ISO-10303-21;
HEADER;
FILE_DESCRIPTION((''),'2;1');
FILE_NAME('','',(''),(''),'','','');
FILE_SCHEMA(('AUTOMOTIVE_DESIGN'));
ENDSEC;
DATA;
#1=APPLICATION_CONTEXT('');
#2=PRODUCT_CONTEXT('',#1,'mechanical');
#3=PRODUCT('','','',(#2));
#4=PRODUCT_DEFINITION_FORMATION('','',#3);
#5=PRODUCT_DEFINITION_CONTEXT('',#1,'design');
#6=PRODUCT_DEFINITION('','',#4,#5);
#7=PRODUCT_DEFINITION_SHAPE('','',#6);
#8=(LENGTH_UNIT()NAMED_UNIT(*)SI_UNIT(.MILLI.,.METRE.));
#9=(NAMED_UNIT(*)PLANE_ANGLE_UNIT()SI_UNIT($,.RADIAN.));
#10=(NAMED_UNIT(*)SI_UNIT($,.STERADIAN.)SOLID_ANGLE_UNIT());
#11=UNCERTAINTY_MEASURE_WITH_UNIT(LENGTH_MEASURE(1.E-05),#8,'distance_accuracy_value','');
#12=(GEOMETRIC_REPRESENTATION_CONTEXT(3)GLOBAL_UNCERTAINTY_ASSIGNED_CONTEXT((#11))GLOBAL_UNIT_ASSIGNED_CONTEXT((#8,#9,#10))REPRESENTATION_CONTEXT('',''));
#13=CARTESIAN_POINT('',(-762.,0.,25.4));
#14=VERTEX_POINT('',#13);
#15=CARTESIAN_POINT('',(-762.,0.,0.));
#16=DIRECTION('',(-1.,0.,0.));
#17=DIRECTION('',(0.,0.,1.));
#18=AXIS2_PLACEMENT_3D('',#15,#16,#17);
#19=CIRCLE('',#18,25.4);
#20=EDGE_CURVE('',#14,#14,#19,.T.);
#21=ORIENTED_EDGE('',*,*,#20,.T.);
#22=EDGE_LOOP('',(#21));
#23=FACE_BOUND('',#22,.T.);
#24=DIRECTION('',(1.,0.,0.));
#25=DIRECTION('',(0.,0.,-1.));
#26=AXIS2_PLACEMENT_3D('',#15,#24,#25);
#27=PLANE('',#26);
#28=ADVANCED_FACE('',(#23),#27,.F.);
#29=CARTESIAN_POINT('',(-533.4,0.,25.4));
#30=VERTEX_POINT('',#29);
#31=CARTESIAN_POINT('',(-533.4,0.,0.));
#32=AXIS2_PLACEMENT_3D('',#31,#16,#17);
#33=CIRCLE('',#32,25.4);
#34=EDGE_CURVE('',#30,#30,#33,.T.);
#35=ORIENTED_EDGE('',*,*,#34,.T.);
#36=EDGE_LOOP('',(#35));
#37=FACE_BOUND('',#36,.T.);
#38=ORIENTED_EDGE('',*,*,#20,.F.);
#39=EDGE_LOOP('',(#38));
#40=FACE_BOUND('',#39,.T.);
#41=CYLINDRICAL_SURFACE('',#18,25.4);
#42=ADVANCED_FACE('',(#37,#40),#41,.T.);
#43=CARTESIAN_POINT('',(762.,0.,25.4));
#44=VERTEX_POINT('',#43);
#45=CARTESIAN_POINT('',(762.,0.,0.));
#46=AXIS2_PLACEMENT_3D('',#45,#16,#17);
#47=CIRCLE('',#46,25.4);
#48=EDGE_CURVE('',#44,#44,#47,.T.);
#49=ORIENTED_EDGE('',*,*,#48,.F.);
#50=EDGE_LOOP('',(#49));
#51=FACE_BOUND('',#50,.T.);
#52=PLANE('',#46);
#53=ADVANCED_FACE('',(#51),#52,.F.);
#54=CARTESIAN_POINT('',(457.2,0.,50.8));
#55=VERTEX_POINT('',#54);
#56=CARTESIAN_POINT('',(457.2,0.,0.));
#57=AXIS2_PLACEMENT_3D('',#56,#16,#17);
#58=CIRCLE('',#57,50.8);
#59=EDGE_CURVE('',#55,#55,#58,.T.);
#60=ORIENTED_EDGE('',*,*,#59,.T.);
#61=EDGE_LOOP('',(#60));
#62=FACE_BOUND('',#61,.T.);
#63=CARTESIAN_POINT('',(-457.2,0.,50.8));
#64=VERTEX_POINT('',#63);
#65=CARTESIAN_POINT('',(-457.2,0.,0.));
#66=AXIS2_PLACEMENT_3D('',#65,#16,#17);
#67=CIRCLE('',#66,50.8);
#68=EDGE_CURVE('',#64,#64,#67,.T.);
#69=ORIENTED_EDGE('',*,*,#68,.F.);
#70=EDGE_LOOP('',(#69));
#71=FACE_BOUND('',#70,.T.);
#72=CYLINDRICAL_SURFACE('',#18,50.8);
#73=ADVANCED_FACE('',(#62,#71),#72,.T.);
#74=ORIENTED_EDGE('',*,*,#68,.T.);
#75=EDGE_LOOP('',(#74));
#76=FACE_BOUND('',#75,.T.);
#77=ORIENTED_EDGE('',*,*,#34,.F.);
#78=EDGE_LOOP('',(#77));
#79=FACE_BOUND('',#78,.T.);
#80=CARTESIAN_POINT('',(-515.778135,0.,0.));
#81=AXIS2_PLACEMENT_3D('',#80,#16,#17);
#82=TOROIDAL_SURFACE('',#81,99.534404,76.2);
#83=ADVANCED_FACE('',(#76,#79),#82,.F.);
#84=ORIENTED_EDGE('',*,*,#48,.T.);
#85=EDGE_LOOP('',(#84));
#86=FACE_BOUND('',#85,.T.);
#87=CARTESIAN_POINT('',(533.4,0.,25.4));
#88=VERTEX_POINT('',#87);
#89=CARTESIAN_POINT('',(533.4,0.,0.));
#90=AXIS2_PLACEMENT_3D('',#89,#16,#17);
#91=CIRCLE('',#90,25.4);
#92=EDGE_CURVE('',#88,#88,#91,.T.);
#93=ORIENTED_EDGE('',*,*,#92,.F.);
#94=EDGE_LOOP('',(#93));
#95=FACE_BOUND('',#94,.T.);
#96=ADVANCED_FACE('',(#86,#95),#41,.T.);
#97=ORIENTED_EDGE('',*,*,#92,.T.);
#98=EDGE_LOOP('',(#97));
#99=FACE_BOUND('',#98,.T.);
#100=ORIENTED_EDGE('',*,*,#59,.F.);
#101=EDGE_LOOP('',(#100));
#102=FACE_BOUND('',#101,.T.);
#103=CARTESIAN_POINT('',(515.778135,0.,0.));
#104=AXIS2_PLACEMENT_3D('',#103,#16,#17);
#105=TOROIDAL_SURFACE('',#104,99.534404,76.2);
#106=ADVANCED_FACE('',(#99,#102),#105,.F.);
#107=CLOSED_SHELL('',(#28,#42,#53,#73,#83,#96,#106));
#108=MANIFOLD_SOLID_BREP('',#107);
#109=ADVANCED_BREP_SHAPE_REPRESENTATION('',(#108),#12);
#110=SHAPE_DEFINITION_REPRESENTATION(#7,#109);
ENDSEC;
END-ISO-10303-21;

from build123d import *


with BuildPart() as part:
    # Sketch2 → Revolve4 (revolve)
    with BuildSketch(Plane.XY, mode=Mode.PRIVATE) as revolve4_sk:
        with BuildLine():
            Line((-762, 0), (762, 0))
            Line((762, 0), (762, 25.4))
            Line((762, 25.4), (533.4, 25.4))
            ThreePointArc((533.4, 25.4), (491.68157891, 27.244736731), (457.2, 50.8))
            Line((457.2, 50.8), (-457.2, 50.8))
            ThreePointArc((-457.2, 50.8), (-491.68157891, 27.244736731), (-533.4, 25.4))
            Line((-533.4, 25.4), (-762, 25.4))
            Line((-762, 25.4), (-762, 0))
        make_face()
    revolve(revolve4_sk.sketch.rotate(Axis((-762, 0, 0), (1, 0, 0)), 90), axis=Axis((-762, 0, 0), (1, 0, 0)))


solid = part.part
